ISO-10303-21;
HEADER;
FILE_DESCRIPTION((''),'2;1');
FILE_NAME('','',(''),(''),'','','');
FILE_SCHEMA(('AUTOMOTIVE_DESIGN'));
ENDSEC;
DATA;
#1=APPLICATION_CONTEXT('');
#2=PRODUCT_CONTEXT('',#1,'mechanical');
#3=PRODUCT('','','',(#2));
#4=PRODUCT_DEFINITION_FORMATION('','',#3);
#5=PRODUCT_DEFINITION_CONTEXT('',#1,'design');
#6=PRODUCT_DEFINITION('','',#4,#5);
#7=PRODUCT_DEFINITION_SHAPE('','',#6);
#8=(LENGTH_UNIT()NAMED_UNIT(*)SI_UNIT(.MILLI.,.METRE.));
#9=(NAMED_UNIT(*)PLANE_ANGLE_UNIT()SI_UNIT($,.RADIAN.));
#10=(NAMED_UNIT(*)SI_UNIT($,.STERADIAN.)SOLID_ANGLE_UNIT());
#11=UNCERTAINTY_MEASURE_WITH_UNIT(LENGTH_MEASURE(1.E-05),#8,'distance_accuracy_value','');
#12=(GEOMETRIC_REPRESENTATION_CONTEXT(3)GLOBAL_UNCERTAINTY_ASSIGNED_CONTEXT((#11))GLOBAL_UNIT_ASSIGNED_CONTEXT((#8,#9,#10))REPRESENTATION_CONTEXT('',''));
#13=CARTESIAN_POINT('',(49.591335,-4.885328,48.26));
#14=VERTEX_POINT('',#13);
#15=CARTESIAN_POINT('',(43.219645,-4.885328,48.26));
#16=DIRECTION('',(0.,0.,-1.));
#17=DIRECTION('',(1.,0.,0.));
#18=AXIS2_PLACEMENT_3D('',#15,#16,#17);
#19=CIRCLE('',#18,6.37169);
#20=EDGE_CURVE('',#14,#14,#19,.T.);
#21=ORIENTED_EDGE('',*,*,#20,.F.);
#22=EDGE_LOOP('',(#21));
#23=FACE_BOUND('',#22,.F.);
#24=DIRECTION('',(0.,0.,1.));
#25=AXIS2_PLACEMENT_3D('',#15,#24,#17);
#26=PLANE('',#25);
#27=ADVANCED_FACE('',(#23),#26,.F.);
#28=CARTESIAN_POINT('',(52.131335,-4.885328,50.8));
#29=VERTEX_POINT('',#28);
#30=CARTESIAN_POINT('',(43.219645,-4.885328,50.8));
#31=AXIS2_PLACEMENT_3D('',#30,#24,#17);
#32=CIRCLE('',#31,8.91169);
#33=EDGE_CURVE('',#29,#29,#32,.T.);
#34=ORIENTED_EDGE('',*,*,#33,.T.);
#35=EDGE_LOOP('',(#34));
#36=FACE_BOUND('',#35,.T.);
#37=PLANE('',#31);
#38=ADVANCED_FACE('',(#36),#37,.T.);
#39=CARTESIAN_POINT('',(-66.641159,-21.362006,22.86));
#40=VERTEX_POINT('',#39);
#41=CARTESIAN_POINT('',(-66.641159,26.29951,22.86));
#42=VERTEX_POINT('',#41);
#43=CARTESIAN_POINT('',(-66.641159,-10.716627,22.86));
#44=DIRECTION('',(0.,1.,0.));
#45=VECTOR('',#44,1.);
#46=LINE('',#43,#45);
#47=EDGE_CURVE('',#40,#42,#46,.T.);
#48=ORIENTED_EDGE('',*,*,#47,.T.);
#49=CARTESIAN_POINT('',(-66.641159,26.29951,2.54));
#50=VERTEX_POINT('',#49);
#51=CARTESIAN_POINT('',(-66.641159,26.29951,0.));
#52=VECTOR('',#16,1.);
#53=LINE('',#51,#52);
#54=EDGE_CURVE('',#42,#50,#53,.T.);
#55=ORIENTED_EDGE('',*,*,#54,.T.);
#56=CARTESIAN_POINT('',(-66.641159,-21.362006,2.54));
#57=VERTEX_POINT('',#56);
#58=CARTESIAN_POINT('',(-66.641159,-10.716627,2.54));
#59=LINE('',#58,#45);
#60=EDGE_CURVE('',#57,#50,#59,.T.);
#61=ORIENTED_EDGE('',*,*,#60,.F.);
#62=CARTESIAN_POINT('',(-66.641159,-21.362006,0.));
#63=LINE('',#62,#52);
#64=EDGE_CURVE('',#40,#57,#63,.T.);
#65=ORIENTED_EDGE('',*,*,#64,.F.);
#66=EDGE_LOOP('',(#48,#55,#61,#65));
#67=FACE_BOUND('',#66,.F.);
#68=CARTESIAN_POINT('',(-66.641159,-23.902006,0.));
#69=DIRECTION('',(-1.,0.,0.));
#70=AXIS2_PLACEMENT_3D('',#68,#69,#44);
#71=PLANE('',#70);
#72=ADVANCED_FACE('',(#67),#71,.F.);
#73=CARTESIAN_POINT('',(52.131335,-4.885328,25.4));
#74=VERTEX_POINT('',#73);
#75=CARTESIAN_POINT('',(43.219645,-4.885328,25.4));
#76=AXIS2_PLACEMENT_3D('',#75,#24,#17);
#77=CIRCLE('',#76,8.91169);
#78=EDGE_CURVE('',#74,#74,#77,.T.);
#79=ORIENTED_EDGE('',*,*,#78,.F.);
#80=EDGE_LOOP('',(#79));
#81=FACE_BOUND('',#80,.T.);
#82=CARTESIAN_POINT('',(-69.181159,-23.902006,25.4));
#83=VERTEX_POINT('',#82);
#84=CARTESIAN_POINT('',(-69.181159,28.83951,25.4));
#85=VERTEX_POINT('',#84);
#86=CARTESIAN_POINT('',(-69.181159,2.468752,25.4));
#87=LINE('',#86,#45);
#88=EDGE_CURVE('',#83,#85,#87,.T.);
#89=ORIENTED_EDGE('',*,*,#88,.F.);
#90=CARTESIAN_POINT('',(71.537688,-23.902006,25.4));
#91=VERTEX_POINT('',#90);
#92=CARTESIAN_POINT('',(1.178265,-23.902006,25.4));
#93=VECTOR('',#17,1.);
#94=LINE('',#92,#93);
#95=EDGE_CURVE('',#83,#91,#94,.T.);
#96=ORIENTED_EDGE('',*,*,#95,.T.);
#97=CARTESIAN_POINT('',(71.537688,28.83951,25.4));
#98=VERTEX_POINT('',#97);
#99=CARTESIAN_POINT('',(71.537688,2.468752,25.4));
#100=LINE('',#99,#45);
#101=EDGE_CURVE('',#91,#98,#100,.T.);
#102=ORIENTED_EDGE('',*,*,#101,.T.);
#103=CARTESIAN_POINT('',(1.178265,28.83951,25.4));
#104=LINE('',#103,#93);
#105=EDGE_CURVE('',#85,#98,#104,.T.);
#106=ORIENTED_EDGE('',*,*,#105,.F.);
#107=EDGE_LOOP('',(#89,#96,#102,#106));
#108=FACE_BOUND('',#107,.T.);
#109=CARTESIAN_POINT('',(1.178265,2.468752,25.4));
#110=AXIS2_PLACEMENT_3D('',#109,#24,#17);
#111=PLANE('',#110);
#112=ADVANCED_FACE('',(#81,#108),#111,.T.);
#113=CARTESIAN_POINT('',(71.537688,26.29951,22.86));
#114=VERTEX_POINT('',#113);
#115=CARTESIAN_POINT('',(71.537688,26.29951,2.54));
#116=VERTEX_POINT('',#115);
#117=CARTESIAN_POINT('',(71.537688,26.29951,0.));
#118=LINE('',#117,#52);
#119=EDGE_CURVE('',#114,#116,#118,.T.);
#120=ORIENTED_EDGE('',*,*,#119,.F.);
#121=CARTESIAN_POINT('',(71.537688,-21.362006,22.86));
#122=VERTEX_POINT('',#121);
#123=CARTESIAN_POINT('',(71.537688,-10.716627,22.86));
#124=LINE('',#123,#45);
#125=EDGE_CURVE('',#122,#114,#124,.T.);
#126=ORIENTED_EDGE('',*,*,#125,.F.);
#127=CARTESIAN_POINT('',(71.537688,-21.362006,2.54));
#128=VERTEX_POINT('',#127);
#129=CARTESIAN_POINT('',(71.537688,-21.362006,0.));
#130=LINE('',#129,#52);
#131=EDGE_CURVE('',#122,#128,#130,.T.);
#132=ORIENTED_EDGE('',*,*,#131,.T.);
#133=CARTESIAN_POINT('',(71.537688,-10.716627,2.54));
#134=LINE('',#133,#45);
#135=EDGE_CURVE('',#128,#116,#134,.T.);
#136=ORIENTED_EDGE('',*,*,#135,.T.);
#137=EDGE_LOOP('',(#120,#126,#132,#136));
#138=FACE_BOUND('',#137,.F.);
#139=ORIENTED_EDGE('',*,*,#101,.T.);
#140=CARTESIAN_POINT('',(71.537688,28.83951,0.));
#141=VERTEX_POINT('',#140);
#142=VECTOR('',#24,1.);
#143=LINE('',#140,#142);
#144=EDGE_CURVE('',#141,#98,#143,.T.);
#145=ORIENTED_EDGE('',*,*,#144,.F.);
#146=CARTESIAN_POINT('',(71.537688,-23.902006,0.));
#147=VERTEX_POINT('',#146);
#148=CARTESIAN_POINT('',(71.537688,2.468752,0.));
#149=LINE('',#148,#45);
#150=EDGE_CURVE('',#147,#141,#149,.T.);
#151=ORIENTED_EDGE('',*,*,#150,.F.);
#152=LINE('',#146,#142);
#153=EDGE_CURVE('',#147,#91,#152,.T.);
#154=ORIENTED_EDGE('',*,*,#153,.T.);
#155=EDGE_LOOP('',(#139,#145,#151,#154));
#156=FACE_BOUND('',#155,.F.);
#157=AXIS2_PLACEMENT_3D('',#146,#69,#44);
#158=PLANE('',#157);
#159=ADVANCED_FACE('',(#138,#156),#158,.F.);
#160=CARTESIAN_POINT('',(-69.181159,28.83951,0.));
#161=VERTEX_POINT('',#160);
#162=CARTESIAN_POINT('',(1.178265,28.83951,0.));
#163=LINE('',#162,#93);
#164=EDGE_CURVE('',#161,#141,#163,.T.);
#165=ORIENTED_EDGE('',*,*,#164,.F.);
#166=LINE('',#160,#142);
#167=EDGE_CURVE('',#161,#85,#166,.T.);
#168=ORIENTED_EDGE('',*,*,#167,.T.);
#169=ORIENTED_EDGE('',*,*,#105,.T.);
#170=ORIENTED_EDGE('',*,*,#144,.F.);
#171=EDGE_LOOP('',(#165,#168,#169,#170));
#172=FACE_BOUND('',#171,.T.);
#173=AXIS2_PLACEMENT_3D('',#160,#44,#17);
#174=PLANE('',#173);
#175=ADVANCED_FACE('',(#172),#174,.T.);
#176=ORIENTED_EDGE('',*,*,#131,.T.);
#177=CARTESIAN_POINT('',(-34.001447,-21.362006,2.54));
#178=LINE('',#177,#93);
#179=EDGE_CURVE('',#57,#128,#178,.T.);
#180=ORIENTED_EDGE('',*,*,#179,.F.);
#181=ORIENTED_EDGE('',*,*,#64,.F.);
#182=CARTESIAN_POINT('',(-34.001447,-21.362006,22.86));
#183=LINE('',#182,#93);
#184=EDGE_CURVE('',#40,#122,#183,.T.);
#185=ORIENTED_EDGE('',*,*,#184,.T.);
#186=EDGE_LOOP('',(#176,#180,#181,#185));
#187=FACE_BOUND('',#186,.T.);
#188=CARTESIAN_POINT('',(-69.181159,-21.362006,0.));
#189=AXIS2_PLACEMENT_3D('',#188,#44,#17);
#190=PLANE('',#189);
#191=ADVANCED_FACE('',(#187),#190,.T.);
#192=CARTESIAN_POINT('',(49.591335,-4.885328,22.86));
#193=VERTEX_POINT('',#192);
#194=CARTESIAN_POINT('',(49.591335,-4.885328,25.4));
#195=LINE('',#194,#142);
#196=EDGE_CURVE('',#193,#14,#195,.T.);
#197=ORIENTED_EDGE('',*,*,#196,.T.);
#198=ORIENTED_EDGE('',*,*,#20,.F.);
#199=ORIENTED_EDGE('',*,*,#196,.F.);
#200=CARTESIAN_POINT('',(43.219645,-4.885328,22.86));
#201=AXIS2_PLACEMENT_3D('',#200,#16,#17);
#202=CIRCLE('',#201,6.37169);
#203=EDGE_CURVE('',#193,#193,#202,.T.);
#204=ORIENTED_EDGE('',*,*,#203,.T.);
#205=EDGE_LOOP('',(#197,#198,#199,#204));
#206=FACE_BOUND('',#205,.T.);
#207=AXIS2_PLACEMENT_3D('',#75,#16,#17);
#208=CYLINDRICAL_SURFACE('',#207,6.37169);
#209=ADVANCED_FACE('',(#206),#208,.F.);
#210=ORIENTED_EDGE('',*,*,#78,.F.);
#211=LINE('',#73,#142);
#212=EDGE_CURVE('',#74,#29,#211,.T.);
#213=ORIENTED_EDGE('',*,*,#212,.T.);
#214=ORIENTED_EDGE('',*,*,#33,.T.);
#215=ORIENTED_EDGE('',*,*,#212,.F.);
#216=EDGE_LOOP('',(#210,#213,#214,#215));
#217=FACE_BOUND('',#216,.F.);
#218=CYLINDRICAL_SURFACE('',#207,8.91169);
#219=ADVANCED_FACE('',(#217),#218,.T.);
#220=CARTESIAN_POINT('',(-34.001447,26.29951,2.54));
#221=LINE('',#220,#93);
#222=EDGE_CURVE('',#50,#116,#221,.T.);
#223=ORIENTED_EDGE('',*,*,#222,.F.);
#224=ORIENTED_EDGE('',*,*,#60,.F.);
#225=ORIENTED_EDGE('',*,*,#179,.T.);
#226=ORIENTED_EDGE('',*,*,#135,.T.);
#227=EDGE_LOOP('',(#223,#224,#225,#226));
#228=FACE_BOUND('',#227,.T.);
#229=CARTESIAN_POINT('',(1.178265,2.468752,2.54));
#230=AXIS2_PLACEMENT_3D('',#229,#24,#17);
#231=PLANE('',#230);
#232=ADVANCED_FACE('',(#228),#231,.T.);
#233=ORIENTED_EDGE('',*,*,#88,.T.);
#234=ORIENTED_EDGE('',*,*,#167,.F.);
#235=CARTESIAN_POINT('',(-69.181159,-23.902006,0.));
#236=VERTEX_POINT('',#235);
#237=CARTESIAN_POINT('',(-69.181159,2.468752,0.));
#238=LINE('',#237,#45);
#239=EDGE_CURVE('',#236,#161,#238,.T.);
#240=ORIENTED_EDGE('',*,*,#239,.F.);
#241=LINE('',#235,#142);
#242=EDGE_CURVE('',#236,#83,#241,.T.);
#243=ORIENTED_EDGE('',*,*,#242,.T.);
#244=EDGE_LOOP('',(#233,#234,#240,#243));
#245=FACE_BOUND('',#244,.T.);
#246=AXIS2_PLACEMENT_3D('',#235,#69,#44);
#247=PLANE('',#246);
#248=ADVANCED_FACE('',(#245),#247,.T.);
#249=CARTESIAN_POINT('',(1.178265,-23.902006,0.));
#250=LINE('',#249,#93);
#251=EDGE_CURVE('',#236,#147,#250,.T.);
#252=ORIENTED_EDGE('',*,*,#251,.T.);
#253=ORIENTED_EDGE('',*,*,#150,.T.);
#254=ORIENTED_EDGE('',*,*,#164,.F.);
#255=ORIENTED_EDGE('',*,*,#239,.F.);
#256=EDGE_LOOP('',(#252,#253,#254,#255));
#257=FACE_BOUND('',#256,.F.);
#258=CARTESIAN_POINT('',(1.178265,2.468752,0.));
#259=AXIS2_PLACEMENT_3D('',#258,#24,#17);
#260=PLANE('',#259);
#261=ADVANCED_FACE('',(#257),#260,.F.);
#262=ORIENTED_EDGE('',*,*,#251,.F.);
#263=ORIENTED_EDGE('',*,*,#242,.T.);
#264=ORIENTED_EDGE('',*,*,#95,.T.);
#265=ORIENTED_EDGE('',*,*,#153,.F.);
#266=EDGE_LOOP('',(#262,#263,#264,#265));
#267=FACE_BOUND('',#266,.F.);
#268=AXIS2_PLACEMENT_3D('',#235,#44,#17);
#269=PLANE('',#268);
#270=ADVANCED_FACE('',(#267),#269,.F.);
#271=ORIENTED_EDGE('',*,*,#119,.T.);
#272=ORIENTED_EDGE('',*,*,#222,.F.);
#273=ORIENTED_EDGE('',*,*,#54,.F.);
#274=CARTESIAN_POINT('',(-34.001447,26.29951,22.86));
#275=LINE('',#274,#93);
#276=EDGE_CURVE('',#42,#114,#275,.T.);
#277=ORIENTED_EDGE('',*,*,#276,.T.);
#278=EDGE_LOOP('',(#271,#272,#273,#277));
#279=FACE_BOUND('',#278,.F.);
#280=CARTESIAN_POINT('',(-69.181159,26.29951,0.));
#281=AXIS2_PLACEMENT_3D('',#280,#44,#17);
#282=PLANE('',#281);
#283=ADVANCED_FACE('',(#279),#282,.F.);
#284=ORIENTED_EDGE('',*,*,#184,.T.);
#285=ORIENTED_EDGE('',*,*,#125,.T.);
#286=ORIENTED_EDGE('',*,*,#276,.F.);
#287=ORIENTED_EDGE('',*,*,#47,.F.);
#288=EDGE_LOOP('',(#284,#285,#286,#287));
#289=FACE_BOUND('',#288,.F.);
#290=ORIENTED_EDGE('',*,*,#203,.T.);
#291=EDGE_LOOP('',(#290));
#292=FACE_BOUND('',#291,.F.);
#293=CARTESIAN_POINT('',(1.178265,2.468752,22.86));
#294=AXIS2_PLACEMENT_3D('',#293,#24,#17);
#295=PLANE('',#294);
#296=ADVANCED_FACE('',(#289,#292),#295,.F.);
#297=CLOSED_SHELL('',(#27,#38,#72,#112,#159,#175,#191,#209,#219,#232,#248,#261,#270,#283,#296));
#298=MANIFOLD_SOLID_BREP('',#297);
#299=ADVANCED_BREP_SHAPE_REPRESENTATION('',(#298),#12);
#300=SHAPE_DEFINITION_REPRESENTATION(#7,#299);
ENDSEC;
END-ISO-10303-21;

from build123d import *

# Parameters (mm, degrees)
F0_W     = 140.7188475132
F0_H     = 52.7415163815
F1_DEPTH = 25.4
F2_R     = 8.9116900181
F3_DEPTH = 25.4
F4_T     = -2.54


with BuildPart() as f1:
    # F0 (on Top) → F1 (new body)
    with BuildSketch(Plane.XY):
        with Locations((1.1782646179, 2.4687517434)):
            Rectangle(F0_W, F0_H)
    extrude(amount=F1_DEPTH)

    # F2 (on face) → F3 (join)
    with BuildSketch(Plane.XY.offset(25.4)):
        with Locations((43.2196445763, -4.8853275366)):
            Circle(F2_R)
    extrude(amount=F3_DEPTH)

    # F4
    f4_openings = [f1.faces().sort_by_distance(p)[0] for p in [
        (71.537688, 2.468752, 12.7),
    ]]
    offset(amount=F4_T, openings=f4_openings, kind=Kind.INTERSECTION)


solid = f1.part
